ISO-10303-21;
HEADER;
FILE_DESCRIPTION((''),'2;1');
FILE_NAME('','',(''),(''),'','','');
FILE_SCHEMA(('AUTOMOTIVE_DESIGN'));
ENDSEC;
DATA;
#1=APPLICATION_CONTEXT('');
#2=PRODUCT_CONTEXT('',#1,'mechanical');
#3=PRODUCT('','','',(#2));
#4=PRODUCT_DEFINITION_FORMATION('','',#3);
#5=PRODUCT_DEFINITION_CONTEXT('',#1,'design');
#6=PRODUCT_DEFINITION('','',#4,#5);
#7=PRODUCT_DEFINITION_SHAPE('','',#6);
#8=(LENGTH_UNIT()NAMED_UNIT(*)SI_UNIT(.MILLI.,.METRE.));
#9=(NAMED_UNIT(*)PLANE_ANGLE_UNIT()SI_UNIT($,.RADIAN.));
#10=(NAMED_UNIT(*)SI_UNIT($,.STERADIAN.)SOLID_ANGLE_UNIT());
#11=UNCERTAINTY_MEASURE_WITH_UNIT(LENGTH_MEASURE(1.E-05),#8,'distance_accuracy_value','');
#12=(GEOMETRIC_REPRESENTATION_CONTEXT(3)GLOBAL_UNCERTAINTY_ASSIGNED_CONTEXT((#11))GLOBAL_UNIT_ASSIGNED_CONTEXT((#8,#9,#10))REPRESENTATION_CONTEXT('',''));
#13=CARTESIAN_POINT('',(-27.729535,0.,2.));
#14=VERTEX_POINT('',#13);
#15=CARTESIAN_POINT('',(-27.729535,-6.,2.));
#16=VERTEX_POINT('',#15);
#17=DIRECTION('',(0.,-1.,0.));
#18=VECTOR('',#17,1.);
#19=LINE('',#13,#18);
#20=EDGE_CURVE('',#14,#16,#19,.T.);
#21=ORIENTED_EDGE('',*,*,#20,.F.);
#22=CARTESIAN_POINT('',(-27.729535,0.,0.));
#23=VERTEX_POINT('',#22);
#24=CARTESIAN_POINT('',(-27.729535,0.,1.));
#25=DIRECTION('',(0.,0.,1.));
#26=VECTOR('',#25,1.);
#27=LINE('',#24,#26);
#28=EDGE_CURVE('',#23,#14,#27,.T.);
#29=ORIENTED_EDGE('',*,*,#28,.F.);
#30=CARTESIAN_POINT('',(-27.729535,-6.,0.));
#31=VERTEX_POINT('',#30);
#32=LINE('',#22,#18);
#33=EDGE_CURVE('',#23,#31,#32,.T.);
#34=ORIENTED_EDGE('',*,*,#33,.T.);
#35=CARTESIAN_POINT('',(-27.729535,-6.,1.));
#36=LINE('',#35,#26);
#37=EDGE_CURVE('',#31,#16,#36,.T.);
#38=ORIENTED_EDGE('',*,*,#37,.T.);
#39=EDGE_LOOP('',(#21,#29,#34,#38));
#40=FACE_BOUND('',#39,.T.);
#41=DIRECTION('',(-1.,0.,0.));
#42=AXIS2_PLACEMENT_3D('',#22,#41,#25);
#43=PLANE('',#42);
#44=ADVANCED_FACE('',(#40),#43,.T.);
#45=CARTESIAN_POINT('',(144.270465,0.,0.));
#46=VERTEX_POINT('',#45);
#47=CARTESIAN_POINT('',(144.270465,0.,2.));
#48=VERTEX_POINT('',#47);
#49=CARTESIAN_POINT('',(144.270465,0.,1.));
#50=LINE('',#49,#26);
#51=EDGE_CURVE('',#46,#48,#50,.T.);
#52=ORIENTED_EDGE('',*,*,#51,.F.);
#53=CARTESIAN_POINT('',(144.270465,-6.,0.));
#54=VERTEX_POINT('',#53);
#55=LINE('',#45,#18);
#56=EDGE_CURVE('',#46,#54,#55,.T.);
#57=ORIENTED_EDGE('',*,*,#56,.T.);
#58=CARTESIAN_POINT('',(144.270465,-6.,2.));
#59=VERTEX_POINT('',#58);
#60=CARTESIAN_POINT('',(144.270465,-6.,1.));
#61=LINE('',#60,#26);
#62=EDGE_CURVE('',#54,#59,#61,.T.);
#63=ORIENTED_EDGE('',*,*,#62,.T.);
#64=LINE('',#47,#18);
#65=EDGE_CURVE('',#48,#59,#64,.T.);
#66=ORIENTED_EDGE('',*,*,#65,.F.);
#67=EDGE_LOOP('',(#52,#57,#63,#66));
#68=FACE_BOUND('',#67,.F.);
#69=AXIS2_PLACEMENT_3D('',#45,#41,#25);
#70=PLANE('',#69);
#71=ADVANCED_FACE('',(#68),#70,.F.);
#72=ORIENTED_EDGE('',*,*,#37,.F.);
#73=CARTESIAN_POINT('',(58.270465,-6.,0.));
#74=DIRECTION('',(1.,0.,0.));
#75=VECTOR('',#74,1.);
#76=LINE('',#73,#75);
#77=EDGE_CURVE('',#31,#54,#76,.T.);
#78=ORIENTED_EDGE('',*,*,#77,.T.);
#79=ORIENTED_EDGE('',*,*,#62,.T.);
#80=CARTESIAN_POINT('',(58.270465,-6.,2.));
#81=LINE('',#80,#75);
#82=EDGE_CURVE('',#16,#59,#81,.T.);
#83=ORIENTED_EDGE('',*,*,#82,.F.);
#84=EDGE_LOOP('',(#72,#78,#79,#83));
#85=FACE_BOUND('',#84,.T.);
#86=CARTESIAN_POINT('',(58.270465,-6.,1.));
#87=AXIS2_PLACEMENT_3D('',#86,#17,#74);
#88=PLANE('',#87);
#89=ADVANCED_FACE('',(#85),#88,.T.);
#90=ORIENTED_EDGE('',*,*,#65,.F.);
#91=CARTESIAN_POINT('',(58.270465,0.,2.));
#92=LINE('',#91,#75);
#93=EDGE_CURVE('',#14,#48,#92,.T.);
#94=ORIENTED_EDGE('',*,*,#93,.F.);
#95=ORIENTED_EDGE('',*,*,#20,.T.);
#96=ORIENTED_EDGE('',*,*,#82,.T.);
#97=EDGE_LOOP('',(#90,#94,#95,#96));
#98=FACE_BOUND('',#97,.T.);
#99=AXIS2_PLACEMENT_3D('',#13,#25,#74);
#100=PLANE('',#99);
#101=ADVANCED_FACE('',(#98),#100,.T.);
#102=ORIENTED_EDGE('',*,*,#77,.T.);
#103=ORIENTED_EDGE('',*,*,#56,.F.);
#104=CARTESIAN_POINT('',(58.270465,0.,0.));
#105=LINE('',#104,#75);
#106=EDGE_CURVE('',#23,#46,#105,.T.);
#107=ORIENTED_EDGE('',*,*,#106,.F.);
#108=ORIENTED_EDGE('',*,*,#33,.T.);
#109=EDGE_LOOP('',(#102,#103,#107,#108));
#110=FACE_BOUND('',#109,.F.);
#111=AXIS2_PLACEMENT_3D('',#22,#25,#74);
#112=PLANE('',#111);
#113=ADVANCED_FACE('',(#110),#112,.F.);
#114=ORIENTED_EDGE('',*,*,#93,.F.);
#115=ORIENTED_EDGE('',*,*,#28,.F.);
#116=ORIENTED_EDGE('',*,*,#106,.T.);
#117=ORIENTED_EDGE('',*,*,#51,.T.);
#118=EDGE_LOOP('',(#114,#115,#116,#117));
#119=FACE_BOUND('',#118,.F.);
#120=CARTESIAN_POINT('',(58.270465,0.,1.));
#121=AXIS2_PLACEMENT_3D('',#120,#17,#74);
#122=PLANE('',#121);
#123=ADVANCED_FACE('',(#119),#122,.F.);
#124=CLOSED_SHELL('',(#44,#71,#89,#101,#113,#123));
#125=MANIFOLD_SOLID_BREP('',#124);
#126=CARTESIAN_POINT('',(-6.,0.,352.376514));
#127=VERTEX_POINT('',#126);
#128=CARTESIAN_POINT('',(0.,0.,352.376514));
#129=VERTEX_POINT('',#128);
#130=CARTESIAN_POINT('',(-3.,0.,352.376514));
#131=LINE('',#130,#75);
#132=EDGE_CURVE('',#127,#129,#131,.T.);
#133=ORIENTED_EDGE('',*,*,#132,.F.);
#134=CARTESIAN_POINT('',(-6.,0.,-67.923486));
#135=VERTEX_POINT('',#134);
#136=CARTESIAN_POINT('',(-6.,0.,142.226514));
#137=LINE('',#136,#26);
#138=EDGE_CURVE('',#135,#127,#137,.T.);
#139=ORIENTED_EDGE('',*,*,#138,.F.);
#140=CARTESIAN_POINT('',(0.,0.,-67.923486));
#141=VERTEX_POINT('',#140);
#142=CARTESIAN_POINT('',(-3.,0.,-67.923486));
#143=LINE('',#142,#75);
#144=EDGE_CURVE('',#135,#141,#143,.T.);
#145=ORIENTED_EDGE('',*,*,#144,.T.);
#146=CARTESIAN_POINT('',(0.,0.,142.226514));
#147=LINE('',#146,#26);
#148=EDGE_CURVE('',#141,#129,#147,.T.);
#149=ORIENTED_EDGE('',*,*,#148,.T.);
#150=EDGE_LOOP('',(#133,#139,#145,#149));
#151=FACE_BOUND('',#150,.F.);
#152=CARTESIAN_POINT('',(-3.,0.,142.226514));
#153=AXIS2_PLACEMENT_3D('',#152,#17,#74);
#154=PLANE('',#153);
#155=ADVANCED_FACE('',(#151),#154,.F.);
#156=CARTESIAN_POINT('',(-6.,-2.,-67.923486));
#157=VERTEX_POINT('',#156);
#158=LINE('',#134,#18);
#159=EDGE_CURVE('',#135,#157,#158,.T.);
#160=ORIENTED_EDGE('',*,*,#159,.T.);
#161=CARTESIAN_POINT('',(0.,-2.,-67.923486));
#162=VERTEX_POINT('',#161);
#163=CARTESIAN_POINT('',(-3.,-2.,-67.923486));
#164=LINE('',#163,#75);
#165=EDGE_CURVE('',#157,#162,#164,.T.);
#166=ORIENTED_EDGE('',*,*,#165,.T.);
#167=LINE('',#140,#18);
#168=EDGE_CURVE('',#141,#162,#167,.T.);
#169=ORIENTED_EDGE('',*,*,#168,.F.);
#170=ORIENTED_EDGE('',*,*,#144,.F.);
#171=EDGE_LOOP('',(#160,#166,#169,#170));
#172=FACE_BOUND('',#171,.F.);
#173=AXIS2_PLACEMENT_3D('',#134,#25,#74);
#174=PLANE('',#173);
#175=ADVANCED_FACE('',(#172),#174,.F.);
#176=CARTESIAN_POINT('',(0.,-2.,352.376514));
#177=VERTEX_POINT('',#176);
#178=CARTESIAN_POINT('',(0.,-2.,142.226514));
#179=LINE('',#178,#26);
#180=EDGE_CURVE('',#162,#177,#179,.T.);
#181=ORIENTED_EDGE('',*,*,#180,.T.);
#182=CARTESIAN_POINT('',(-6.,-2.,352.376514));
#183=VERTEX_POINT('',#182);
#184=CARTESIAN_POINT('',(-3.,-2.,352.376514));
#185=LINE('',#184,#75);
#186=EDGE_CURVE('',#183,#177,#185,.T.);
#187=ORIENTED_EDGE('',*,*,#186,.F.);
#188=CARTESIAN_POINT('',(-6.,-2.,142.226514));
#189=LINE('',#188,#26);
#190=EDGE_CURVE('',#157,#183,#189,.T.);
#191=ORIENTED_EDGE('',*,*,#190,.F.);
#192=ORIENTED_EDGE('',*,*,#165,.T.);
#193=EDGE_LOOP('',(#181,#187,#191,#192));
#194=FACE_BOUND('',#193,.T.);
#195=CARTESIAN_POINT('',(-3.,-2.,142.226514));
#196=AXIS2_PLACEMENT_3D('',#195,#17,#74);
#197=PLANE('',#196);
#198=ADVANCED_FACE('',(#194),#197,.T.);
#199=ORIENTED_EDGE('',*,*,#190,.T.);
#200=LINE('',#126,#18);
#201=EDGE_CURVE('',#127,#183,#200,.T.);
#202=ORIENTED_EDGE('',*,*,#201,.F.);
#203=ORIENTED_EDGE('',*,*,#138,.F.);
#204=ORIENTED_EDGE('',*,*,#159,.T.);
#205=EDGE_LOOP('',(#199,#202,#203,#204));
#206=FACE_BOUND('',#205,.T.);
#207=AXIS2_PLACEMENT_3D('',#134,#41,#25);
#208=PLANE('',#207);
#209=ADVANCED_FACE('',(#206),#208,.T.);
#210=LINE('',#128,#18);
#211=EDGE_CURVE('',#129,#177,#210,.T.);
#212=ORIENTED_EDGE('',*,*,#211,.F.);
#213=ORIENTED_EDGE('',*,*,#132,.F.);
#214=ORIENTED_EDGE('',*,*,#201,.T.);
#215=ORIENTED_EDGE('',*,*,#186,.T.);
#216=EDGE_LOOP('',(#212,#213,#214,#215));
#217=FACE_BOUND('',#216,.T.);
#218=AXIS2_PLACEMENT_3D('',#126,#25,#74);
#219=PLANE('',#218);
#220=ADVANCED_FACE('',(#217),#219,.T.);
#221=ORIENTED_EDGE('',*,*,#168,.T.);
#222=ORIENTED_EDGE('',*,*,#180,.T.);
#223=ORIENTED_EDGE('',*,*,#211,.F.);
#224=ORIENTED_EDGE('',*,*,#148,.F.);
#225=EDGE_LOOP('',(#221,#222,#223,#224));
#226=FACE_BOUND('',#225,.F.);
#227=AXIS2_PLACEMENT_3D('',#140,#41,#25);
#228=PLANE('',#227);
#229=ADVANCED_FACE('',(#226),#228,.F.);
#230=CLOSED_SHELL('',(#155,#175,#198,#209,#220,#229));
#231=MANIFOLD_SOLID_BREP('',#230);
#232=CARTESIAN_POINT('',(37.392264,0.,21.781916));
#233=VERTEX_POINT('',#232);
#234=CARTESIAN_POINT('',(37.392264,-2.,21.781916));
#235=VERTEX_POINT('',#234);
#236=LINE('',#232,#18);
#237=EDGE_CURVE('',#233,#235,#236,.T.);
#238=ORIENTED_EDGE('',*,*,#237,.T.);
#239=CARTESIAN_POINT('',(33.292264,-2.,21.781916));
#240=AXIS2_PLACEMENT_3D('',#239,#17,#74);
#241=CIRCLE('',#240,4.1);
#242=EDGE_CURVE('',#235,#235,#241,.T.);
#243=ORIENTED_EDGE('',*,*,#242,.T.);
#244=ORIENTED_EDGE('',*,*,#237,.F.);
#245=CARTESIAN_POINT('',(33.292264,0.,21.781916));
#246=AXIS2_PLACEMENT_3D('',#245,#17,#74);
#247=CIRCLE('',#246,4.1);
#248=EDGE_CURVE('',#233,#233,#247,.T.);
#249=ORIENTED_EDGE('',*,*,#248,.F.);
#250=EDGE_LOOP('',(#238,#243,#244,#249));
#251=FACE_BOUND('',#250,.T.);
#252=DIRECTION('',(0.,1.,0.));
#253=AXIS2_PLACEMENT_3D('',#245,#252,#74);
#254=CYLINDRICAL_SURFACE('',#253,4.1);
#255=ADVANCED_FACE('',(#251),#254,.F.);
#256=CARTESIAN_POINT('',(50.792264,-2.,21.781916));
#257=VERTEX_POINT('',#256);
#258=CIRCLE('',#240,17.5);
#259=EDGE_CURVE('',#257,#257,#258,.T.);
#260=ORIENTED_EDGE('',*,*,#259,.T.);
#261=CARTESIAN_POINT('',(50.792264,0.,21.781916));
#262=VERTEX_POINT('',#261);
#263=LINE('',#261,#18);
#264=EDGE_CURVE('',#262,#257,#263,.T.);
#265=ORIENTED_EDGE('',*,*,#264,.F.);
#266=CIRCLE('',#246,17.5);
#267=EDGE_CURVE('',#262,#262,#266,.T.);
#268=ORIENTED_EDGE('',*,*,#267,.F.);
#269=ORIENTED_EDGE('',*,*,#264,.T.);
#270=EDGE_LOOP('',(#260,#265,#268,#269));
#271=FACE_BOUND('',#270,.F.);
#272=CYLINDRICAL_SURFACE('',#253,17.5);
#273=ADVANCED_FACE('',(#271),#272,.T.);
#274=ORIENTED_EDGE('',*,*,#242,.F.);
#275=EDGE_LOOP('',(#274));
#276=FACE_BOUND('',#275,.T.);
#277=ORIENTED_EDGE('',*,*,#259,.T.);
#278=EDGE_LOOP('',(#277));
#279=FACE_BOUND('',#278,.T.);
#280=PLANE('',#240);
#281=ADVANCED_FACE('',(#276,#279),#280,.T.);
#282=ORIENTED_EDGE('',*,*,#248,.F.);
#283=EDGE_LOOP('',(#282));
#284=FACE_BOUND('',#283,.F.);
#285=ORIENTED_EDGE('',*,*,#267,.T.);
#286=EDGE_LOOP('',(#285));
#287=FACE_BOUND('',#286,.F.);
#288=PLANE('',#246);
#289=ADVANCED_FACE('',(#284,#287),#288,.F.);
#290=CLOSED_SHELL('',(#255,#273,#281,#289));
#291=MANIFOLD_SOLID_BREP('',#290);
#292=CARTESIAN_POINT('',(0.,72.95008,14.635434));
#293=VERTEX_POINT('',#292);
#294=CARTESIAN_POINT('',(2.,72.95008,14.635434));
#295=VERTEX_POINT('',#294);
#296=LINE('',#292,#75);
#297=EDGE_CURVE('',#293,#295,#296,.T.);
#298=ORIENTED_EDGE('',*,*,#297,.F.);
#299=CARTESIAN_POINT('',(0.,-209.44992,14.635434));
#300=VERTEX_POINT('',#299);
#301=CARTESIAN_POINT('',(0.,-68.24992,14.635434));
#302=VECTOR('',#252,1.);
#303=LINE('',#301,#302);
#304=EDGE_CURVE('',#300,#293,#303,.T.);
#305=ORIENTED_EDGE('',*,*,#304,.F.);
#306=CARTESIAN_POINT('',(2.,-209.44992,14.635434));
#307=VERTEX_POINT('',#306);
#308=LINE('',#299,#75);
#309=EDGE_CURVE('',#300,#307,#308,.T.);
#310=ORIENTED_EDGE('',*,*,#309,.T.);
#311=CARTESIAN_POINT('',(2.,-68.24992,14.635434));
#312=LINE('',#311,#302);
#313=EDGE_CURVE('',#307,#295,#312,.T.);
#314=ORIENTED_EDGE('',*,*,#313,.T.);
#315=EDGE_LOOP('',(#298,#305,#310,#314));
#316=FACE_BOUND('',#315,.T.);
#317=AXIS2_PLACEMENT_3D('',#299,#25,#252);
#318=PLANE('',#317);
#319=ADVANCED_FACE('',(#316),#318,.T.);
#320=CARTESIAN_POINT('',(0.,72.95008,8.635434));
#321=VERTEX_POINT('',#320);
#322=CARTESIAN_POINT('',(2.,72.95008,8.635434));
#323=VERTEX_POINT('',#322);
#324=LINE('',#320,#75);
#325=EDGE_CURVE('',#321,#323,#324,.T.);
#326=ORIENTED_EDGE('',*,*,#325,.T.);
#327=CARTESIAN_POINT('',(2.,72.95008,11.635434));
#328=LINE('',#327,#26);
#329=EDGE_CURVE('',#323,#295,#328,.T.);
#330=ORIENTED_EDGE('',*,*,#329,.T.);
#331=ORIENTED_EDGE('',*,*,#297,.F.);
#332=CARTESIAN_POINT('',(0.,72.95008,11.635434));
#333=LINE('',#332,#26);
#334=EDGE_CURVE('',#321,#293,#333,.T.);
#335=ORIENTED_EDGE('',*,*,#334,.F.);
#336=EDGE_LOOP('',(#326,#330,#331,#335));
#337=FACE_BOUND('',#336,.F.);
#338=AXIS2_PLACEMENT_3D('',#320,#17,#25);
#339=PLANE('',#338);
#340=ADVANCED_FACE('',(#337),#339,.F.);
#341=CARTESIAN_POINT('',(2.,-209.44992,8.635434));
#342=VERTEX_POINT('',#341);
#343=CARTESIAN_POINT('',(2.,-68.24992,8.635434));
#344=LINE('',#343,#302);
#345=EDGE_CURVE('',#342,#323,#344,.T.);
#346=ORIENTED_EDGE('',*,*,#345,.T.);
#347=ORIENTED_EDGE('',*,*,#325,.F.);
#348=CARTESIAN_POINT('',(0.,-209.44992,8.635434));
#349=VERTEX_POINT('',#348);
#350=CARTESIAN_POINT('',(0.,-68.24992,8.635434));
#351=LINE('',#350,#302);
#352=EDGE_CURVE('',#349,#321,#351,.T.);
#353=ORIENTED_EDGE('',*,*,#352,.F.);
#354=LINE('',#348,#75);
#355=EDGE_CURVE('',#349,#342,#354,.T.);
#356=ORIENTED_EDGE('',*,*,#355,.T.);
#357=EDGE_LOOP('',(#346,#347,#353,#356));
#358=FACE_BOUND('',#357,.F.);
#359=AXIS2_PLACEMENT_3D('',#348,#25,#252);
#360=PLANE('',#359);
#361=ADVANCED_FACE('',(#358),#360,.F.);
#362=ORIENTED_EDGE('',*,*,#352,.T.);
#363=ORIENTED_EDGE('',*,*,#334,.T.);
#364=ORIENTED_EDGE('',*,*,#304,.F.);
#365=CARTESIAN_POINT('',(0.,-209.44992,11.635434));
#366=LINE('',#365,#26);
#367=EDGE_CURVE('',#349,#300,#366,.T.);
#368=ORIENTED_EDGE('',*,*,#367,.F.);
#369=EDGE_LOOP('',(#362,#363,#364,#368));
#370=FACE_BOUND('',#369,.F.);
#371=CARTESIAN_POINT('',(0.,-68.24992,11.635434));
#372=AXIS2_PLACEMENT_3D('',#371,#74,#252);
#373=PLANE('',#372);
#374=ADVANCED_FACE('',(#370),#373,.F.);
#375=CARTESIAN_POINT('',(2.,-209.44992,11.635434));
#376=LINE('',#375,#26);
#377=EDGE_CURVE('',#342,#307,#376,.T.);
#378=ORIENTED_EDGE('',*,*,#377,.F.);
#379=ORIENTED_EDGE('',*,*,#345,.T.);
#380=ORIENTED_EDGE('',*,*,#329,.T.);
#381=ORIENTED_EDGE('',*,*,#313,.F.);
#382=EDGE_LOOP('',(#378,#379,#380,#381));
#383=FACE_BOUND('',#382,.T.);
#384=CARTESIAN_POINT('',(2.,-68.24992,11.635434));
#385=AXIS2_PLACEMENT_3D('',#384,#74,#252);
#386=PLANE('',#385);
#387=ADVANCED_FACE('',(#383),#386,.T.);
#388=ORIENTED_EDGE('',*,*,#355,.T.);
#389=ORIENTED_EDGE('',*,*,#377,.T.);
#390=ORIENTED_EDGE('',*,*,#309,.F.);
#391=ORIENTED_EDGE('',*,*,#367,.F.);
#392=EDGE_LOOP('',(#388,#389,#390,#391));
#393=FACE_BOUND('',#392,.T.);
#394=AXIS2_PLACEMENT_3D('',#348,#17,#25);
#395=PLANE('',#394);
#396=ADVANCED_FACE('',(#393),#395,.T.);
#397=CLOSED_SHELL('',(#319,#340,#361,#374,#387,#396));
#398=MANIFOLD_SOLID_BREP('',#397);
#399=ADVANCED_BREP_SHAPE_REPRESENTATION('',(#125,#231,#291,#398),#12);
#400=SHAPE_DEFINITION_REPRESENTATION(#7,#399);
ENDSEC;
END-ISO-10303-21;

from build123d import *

# Parameters (mm, degrees)
F0_W     = 172
F0_H     = 2
F1_DEPTH = 6
F2_W     = 282.4
F2_H     = 6
F3_DEPTH = 2
F4_W     = 6
F4_H     = 420.3
F5_DEPTH = 2
F6_R     = 17.5
F6_R_2   = 4.1
F7_DEPTH = 2


with BuildPart() as f1:
    # F0 (on Front) → F1 (new body)
    with BuildSketch(Plane.XZ):
        with Locations((58.270465, 1)):
            Rectangle(F0_W, F0_H)
    extrude(amount=F1_DEPTH)


with BuildPart() as f3:
    # F2 (on Right) → F3 (new body)
    with BuildSketch(Plane.YZ):
        with Locations((-68.24992, 11.635434)):
            Rectangle(F2_W, F2_H)
    extrude(amount=F3_DEPTH)


with BuildPart() as f5:
    # F4 (on Front) → F5 (new body)
    with BuildSketch(Plane.XZ):
        with Locations((-3, 142.226514)):
            Rectangle(F4_W, F4_H)
    extrude(amount=F5_DEPTH)


with BuildPart() as f7:
    # F6 (on Front) → F7 (new body)
    with BuildSketch(Plane.XZ):
        with Locations((33.292264, 21.781916)):
            Circle(F6_R)
        with Locations((33.292264, 21.781916)):
            Circle(F6_R_2, mode=Mode.SUBTRACT)
    extrude(amount=F7_DEPTH)


solid = Compound([f1.part, f3.part, f5.part, f7.part])
